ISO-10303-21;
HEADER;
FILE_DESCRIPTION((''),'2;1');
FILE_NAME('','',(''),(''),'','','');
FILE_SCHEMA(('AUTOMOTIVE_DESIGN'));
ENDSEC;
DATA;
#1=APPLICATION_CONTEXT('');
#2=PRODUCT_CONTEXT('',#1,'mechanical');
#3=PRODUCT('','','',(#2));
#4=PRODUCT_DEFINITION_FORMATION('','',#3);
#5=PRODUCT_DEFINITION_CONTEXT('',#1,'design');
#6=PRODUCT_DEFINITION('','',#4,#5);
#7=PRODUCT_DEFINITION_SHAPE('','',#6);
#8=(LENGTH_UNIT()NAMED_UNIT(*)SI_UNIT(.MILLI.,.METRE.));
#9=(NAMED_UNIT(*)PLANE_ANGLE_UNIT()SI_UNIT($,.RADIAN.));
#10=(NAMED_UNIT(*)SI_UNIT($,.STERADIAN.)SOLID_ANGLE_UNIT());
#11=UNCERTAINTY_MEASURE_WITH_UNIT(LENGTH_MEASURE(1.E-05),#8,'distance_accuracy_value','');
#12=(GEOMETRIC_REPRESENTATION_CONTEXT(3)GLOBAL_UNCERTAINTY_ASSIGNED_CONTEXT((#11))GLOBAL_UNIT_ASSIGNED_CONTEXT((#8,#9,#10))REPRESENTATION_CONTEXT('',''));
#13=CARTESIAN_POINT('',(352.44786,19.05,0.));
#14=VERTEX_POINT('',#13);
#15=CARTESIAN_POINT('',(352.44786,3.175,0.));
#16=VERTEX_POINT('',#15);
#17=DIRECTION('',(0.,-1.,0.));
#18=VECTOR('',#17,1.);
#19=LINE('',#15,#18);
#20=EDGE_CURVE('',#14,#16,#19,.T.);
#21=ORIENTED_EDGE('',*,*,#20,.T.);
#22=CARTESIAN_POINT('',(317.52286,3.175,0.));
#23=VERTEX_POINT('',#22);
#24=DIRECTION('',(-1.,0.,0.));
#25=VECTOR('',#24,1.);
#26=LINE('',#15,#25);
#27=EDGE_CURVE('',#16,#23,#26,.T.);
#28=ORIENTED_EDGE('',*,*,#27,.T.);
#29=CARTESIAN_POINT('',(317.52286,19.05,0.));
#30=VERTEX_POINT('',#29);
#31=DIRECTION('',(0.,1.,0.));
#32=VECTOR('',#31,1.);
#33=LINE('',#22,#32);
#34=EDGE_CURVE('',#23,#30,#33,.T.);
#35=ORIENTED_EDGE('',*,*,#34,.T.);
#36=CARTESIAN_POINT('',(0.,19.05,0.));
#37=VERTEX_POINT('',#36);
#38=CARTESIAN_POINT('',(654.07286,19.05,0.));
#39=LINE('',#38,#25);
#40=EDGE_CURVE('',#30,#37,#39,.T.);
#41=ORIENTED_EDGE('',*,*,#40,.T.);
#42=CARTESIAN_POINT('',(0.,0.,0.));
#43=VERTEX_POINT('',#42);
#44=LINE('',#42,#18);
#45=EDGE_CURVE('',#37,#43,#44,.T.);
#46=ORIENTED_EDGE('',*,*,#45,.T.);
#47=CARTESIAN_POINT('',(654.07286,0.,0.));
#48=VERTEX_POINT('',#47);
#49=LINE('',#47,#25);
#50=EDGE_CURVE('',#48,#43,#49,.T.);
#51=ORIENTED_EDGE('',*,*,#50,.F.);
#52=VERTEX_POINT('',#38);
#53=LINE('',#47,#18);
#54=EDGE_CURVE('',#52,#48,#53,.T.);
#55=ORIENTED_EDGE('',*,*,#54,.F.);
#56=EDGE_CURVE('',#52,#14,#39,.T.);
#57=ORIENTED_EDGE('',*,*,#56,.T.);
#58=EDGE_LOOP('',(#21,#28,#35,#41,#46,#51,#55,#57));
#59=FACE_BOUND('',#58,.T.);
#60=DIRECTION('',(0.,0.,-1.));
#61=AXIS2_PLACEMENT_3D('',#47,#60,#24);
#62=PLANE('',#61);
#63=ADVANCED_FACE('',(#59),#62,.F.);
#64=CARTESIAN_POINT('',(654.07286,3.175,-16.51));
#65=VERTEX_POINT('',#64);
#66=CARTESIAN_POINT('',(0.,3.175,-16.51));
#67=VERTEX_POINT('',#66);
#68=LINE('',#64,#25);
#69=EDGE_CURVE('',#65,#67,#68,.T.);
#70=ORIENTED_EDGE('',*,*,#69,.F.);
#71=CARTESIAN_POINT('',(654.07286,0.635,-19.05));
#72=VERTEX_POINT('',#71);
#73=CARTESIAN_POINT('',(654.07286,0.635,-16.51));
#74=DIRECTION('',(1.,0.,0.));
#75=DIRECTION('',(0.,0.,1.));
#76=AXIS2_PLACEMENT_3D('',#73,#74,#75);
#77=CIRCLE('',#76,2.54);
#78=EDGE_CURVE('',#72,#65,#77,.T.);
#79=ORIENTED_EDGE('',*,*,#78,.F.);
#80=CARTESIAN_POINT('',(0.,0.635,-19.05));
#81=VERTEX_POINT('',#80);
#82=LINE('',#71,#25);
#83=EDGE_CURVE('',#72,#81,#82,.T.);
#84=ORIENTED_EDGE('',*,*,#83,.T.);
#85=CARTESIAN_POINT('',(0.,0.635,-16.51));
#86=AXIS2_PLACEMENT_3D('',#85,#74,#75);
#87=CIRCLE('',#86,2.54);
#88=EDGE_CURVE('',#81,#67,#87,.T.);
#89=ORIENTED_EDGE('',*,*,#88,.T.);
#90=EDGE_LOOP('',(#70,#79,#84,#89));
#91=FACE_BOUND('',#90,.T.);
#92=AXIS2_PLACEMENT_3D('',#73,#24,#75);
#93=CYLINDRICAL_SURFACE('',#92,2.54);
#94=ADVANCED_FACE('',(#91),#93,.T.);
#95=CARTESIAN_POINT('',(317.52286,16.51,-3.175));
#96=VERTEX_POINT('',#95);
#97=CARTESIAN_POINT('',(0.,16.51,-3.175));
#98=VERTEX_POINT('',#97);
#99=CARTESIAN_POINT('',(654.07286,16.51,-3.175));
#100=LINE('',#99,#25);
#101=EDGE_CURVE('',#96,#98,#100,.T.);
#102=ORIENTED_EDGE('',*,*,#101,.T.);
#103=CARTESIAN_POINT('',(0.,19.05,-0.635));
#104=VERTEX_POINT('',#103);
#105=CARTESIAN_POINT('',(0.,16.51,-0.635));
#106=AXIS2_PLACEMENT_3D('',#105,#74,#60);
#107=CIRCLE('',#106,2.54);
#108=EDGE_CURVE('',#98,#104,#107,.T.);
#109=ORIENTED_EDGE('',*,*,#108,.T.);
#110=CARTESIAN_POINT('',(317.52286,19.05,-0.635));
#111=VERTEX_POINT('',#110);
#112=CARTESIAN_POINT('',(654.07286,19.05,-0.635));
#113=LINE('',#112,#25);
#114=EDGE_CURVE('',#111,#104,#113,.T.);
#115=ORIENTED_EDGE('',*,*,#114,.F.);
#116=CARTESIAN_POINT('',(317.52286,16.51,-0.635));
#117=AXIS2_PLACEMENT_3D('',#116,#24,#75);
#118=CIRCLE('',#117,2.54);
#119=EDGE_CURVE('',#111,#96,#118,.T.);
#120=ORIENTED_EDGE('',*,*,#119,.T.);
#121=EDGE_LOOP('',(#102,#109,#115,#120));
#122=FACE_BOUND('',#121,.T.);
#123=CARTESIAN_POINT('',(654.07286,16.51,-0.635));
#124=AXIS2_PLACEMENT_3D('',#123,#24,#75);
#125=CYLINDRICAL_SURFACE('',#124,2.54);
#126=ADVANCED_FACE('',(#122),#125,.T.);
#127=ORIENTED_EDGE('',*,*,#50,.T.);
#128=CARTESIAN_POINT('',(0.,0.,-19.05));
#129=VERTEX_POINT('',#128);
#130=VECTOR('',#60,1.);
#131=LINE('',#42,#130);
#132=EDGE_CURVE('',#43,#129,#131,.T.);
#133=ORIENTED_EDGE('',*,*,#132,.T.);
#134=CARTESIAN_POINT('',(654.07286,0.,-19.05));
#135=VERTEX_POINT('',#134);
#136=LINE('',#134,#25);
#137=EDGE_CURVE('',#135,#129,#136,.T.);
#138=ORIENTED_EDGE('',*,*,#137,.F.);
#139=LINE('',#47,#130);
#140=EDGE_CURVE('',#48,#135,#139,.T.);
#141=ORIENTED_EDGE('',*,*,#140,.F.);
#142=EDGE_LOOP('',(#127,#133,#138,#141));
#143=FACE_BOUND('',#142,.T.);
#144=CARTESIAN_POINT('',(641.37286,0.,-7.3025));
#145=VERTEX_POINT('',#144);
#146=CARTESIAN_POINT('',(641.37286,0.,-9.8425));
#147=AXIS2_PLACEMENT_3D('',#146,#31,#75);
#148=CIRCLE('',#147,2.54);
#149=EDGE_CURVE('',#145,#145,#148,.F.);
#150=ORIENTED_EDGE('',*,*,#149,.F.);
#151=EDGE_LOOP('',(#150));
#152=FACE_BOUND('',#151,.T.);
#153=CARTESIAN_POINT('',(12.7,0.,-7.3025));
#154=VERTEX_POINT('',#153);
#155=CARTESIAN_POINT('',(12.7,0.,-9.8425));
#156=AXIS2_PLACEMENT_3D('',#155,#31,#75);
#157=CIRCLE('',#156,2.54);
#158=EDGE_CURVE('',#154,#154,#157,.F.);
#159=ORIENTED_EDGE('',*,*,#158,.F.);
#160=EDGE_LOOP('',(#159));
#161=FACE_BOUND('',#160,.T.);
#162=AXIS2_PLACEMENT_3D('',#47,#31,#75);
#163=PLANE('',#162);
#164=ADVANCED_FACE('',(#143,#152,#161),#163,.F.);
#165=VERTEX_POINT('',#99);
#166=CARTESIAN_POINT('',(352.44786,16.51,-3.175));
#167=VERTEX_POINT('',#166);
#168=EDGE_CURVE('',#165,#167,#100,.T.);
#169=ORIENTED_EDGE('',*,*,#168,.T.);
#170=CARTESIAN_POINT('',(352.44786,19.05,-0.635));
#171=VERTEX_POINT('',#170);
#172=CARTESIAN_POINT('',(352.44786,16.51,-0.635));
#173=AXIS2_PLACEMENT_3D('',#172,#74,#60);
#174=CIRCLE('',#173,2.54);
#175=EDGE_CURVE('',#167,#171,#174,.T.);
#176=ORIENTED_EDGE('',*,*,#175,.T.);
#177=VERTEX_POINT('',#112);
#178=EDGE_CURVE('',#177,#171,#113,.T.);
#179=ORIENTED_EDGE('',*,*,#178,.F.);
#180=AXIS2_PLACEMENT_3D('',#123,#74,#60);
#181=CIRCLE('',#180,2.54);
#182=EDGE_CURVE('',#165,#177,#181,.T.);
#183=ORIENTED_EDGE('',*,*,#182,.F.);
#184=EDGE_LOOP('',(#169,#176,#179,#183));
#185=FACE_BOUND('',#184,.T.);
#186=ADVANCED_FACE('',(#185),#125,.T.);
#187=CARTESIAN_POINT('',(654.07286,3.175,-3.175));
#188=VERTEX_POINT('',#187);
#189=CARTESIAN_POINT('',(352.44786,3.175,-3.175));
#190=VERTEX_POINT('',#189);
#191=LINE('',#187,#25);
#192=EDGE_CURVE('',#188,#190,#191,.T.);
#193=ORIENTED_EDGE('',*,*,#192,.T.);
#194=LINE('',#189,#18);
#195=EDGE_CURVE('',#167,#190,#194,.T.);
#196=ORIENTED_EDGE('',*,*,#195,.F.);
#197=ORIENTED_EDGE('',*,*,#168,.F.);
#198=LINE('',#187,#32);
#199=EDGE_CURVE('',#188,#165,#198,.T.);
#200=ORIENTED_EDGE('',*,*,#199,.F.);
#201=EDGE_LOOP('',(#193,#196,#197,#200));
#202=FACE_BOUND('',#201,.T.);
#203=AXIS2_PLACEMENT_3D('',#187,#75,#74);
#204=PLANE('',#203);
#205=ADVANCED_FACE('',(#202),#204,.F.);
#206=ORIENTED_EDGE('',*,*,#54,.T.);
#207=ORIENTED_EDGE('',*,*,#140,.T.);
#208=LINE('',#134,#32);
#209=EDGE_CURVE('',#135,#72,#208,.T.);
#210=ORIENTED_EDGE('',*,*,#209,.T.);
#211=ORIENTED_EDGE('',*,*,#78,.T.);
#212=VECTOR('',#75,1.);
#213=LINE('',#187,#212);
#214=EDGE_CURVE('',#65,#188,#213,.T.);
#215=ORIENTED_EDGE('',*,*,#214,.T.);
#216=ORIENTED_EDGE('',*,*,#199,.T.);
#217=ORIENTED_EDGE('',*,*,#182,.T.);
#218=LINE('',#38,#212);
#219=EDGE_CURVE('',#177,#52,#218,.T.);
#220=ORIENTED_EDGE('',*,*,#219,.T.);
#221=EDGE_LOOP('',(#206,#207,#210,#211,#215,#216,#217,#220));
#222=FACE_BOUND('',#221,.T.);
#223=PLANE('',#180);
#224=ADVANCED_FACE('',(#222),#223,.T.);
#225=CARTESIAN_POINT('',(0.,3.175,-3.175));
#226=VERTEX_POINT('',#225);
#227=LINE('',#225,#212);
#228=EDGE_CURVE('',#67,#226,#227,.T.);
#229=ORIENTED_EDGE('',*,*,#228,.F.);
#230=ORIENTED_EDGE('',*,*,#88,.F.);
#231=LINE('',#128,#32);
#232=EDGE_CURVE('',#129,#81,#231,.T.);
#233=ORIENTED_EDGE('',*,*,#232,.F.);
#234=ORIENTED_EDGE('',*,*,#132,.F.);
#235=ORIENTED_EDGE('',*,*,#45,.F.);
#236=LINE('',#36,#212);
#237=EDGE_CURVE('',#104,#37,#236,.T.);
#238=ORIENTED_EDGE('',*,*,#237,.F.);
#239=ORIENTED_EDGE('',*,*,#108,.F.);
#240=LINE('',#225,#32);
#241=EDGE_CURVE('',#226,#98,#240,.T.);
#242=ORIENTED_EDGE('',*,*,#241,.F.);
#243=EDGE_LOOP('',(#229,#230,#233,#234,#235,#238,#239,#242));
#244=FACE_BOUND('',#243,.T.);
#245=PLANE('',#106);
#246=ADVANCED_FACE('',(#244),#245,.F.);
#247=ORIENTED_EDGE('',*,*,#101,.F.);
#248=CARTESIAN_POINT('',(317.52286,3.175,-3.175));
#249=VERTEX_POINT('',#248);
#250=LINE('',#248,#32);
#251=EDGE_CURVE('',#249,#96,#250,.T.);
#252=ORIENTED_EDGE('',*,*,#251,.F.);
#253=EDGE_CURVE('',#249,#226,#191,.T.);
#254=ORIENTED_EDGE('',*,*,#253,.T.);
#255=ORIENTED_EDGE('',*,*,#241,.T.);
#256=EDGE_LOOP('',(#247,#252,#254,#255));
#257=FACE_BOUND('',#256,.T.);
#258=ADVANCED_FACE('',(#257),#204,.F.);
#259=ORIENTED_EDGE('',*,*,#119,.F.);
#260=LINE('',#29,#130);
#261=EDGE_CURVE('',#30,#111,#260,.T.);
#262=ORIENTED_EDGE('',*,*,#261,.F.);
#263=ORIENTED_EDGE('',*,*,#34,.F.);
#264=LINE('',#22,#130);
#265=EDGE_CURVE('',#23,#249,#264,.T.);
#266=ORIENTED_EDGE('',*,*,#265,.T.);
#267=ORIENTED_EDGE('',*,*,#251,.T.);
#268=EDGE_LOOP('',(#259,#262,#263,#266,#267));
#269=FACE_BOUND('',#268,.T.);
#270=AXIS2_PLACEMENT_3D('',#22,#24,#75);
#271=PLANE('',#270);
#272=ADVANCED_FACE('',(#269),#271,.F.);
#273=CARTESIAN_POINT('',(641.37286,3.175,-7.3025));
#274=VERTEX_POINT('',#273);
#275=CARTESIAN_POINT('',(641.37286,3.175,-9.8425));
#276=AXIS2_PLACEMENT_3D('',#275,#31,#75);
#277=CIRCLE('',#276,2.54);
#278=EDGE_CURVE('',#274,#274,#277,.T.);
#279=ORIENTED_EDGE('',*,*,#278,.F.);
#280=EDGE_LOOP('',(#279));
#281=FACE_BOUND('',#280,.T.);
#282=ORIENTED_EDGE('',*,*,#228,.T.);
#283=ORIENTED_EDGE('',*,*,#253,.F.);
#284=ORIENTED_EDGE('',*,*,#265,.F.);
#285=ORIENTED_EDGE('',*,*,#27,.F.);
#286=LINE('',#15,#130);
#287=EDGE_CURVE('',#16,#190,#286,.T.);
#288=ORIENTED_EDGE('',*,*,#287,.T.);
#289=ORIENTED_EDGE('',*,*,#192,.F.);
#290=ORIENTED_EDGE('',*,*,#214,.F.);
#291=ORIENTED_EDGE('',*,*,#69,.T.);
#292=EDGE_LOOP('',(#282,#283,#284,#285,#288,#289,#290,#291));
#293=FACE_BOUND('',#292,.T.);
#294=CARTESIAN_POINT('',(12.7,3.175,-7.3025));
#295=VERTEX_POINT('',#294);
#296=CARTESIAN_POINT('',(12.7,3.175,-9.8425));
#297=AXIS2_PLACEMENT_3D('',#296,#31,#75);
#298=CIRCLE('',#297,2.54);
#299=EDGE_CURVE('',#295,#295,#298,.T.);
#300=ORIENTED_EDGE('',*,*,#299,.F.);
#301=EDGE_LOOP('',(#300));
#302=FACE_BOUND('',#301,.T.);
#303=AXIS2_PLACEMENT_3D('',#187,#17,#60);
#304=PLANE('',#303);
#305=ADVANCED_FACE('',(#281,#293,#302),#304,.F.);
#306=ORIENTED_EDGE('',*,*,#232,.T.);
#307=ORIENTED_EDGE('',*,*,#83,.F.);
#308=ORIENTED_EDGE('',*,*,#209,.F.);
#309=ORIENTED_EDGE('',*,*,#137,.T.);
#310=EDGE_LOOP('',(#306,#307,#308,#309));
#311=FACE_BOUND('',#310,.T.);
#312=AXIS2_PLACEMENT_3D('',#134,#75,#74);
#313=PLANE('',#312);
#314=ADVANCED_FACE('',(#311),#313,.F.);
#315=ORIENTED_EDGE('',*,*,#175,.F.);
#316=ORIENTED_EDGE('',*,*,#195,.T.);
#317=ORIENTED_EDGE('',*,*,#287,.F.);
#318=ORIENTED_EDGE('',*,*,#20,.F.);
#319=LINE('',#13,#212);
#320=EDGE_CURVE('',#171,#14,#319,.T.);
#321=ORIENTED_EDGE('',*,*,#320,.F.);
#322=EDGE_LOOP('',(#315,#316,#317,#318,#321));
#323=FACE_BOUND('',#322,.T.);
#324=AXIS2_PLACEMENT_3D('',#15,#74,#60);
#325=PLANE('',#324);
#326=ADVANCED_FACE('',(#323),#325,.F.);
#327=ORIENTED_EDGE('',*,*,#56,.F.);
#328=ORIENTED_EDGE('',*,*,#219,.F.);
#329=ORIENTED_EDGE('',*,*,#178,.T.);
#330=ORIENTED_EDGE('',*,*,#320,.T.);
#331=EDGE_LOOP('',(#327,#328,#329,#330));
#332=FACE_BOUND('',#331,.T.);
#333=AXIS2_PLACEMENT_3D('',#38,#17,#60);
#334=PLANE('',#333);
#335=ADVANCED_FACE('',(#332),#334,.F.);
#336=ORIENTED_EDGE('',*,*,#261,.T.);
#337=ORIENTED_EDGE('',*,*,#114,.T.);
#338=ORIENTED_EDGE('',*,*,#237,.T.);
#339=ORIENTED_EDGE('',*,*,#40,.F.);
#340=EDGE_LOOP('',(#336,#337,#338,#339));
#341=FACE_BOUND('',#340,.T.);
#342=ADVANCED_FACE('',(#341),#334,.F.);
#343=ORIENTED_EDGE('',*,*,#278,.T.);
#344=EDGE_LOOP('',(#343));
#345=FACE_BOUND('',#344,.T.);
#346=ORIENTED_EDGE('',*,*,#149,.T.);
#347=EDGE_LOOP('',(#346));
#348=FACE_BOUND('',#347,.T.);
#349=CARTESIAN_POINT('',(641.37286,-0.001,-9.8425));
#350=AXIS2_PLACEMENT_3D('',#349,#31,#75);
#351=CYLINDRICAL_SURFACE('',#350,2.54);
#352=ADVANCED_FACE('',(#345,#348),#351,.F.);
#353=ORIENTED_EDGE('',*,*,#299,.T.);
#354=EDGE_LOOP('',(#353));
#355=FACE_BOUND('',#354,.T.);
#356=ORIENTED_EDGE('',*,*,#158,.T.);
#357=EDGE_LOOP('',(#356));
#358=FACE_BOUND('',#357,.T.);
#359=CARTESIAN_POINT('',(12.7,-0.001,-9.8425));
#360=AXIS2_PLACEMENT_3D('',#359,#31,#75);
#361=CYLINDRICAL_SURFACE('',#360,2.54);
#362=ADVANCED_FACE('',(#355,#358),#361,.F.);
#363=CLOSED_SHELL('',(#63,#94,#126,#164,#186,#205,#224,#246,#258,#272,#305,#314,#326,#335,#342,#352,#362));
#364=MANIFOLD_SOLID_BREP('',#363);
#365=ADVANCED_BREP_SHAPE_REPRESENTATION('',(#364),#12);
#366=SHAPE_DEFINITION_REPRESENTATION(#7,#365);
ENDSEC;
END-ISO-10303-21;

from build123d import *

# Parameters (mm, degrees)
BOSS_EXTRUDE1_DEPTH = 654.07286
CUT_EXTRUDE1_REACH  = 5.175
SKETCH2_R           = 2.54
SKETCH3_W           = 34.925
SKETCH3_H           = 49.342597017
CUT_EXTRUDE2_DEPTH  = 4.175


with BuildPart() as part:
    # Sketch1 → Boss-Extrude1 (new body)
    with BuildSketch(Plane(origin=(0, 0, 0), x_dir=(0, 0, -1), z_dir=(1, 0, 0))):
        with BuildLine():
            Line((3.175, 3.175), (16.51, 3.175))
            ThreePointArc((16.51, 3.175), (18.306051224, 2.431051224), (19.05, 0.635))
            Line((19.05, 0.635), (19.05, 0))
            Line((19.05, 0), (0, 0))
            Line((0, 0), (0, 19.05))
            Line((0, 19.05), (0.635, 19.05))
            ThreePointArc((0.635, 19.05), (2.431051224, 18.306051224), (3.175, 16.51))
            Line((3.175, 16.51), (3.175, 3.175))
        make_face()
    extrude(amount=BOSS_EXTRUDE1_DEPTH)

    # Sketch2 → Cut-Extrude1 (cut, up to next)
    with BuildSketch(Plane(origin=(0, 3.175, 0), x_dir=(1, 0, 0), z_dir=(0, 1, 0)), mode=Mode.PRIVATE) as cut_extrude1_sk1:
        with Locations((641.37286, 9.8425)):
            Circle(SKETCH2_R)
    cut_extrude1_tool1 = extrude(cut_extrude1_sk1.sketch, amount=-CUT_EXTRUDE1_REACH, mode=Mode.PRIVATE) & part.part
    add(cut_extrude1_tool1.solids().sort_by_distance((641.37286, 3.175, -9.8425))[0], mode=Mode.SUBTRACT)
    # Sketch2 → Cut-Extrude1 (cut, up to next)
    with BuildSketch(Plane(origin=(0, 3.175, 0), x_dir=(1, 0, 0), z_dir=(0, 1, 0)), mode=Mode.PRIVATE) as cut_extrude1_sk2:
        with Locations((12.7, 9.8425)):
            Circle(SKETCH2_R)
    cut_extrude1_tool2 = extrude(cut_extrude1_sk2.sketch, amount=-CUT_EXTRUDE1_REACH, mode=Mode.PRIVATE) & part.part
    add(cut_extrude1_tool2.solids().sort_by_distance((12.7, 3.175, -9.8425))[0], mode=Mode.SUBTRACT)

    # Sketch3 → Cut-Extrude2 (cut, through all)
    with BuildSketch(Plane(origin=(0, 0, -3.175), x_dir=(-1, 0, 0), z_dir=(0, 0, -1))):
        with Locations((-334.98536, 27.846298508)):
            Rectangle(SKETCH3_W, SKETCH3_H)
    extrude(amount=-CUT_EXTRUDE2_DEPTH, mode=Mode.SUBTRACT)


solid = part.part
